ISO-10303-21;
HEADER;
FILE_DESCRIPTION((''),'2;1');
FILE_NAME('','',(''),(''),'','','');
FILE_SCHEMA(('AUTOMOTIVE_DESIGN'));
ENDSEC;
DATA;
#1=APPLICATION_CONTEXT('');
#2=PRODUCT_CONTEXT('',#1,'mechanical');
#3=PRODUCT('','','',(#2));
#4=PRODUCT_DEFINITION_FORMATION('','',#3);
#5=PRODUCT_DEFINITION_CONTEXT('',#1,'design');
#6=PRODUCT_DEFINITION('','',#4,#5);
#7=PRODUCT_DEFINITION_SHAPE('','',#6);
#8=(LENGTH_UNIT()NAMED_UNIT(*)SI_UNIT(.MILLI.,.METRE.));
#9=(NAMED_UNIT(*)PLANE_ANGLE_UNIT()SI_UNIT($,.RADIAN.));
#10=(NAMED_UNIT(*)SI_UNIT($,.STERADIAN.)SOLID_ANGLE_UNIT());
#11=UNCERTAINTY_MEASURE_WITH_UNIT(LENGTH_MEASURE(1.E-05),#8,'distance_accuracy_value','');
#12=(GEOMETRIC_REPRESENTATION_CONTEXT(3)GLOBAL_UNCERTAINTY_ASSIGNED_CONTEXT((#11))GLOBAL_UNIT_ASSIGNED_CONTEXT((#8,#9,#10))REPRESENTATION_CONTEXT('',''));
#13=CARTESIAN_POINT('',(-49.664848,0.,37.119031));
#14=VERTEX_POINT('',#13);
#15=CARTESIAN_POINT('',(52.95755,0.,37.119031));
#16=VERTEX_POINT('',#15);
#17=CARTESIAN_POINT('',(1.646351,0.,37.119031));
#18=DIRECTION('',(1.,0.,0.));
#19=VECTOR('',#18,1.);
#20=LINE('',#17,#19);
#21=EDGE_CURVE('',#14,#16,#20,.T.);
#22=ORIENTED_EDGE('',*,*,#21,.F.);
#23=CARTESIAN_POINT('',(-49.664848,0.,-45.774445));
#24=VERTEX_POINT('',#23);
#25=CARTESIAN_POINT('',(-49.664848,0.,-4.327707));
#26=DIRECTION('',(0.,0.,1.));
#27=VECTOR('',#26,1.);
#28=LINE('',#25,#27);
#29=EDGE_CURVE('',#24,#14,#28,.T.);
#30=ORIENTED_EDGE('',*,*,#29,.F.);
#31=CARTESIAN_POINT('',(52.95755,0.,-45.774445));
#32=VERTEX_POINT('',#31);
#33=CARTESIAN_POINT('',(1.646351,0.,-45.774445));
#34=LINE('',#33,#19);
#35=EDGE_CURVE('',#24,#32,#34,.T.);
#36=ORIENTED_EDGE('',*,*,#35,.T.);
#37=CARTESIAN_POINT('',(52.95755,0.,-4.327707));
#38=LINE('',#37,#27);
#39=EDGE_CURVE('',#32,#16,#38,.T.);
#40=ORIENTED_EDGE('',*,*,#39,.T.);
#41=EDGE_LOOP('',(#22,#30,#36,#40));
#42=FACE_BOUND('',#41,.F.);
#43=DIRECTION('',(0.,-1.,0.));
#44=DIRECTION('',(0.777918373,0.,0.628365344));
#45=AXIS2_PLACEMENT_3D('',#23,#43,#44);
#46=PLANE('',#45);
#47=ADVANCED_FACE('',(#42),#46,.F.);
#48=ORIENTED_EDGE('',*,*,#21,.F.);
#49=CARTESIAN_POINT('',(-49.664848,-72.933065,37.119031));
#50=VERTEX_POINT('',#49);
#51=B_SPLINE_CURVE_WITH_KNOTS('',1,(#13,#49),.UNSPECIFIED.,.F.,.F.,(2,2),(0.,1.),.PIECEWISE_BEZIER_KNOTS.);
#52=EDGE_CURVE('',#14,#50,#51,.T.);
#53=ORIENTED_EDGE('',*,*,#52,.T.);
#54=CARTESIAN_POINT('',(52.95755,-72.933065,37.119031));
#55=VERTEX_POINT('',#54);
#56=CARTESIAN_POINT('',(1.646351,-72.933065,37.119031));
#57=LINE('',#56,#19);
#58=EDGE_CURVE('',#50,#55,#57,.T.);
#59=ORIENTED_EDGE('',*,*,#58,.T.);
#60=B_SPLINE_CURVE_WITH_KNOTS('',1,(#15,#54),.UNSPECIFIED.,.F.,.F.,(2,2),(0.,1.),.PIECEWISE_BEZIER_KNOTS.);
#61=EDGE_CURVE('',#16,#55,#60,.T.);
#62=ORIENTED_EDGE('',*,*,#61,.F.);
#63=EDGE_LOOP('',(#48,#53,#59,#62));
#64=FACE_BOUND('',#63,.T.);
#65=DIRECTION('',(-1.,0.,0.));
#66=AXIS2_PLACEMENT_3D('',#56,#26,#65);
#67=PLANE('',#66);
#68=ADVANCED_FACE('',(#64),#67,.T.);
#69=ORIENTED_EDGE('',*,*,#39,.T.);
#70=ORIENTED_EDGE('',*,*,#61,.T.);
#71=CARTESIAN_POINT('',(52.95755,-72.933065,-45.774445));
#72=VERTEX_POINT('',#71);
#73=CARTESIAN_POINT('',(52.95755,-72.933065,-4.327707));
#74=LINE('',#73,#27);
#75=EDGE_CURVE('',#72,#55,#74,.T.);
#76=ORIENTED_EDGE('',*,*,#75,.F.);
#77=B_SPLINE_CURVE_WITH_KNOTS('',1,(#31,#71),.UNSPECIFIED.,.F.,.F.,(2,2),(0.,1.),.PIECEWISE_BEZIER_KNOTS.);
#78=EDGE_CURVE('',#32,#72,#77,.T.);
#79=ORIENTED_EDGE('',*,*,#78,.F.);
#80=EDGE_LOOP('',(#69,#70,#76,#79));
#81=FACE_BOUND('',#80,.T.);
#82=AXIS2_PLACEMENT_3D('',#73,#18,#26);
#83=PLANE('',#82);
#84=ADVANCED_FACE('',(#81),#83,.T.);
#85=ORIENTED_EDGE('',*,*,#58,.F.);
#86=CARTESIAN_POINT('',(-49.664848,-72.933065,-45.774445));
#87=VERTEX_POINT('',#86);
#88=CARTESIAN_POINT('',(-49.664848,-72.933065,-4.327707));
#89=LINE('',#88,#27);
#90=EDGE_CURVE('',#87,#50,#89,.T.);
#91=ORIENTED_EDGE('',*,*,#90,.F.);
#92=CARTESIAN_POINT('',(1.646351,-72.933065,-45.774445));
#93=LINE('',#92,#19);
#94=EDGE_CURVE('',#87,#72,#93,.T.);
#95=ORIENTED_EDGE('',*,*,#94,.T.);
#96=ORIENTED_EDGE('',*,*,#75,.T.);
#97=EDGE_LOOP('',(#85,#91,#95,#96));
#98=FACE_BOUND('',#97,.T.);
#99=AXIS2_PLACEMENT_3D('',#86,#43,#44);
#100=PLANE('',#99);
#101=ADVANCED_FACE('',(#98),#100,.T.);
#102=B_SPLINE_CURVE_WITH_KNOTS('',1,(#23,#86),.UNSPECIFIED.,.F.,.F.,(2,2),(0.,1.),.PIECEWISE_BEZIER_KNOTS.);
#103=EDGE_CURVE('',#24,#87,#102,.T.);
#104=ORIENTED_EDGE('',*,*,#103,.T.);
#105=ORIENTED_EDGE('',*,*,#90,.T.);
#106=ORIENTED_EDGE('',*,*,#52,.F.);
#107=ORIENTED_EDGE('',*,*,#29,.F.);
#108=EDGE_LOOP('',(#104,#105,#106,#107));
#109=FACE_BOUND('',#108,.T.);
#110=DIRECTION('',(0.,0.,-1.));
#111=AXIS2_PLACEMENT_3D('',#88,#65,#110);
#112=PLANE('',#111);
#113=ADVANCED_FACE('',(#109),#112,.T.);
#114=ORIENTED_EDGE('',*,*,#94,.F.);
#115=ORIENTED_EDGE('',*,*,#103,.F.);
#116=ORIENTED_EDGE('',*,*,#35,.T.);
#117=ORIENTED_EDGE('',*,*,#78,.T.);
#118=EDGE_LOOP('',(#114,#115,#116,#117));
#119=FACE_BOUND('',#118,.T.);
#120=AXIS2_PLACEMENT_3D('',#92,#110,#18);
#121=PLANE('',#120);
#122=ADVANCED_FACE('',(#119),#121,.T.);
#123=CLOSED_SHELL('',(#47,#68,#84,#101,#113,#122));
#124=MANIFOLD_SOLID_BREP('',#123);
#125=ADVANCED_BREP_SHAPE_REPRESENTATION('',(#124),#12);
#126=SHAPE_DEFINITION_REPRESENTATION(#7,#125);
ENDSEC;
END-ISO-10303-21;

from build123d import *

# Parameters (mm, degrees)
F0_W = 102.622397244
F0_H = 82.8934758902
F2_W = 102.622397244
F2_H = 82.8934758902


with BuildPart() as f3:
    # F0 (on Front) → F3 section 0
    with BuildSketch(Plane.XZ):
        with Locations((1.6463510692, -4.3277069926)):
            Rectangle(F0_W, F0_H)
    # F2 (on offset) → F3 section 1
    with BuildSketch(Plane.XZ.offset(72.9330647737)):
        with Locations((1.6463510692, -4.3277069926)):
            Rectangle(F2_W, F2_H)
    loft()


solid = f3.part
